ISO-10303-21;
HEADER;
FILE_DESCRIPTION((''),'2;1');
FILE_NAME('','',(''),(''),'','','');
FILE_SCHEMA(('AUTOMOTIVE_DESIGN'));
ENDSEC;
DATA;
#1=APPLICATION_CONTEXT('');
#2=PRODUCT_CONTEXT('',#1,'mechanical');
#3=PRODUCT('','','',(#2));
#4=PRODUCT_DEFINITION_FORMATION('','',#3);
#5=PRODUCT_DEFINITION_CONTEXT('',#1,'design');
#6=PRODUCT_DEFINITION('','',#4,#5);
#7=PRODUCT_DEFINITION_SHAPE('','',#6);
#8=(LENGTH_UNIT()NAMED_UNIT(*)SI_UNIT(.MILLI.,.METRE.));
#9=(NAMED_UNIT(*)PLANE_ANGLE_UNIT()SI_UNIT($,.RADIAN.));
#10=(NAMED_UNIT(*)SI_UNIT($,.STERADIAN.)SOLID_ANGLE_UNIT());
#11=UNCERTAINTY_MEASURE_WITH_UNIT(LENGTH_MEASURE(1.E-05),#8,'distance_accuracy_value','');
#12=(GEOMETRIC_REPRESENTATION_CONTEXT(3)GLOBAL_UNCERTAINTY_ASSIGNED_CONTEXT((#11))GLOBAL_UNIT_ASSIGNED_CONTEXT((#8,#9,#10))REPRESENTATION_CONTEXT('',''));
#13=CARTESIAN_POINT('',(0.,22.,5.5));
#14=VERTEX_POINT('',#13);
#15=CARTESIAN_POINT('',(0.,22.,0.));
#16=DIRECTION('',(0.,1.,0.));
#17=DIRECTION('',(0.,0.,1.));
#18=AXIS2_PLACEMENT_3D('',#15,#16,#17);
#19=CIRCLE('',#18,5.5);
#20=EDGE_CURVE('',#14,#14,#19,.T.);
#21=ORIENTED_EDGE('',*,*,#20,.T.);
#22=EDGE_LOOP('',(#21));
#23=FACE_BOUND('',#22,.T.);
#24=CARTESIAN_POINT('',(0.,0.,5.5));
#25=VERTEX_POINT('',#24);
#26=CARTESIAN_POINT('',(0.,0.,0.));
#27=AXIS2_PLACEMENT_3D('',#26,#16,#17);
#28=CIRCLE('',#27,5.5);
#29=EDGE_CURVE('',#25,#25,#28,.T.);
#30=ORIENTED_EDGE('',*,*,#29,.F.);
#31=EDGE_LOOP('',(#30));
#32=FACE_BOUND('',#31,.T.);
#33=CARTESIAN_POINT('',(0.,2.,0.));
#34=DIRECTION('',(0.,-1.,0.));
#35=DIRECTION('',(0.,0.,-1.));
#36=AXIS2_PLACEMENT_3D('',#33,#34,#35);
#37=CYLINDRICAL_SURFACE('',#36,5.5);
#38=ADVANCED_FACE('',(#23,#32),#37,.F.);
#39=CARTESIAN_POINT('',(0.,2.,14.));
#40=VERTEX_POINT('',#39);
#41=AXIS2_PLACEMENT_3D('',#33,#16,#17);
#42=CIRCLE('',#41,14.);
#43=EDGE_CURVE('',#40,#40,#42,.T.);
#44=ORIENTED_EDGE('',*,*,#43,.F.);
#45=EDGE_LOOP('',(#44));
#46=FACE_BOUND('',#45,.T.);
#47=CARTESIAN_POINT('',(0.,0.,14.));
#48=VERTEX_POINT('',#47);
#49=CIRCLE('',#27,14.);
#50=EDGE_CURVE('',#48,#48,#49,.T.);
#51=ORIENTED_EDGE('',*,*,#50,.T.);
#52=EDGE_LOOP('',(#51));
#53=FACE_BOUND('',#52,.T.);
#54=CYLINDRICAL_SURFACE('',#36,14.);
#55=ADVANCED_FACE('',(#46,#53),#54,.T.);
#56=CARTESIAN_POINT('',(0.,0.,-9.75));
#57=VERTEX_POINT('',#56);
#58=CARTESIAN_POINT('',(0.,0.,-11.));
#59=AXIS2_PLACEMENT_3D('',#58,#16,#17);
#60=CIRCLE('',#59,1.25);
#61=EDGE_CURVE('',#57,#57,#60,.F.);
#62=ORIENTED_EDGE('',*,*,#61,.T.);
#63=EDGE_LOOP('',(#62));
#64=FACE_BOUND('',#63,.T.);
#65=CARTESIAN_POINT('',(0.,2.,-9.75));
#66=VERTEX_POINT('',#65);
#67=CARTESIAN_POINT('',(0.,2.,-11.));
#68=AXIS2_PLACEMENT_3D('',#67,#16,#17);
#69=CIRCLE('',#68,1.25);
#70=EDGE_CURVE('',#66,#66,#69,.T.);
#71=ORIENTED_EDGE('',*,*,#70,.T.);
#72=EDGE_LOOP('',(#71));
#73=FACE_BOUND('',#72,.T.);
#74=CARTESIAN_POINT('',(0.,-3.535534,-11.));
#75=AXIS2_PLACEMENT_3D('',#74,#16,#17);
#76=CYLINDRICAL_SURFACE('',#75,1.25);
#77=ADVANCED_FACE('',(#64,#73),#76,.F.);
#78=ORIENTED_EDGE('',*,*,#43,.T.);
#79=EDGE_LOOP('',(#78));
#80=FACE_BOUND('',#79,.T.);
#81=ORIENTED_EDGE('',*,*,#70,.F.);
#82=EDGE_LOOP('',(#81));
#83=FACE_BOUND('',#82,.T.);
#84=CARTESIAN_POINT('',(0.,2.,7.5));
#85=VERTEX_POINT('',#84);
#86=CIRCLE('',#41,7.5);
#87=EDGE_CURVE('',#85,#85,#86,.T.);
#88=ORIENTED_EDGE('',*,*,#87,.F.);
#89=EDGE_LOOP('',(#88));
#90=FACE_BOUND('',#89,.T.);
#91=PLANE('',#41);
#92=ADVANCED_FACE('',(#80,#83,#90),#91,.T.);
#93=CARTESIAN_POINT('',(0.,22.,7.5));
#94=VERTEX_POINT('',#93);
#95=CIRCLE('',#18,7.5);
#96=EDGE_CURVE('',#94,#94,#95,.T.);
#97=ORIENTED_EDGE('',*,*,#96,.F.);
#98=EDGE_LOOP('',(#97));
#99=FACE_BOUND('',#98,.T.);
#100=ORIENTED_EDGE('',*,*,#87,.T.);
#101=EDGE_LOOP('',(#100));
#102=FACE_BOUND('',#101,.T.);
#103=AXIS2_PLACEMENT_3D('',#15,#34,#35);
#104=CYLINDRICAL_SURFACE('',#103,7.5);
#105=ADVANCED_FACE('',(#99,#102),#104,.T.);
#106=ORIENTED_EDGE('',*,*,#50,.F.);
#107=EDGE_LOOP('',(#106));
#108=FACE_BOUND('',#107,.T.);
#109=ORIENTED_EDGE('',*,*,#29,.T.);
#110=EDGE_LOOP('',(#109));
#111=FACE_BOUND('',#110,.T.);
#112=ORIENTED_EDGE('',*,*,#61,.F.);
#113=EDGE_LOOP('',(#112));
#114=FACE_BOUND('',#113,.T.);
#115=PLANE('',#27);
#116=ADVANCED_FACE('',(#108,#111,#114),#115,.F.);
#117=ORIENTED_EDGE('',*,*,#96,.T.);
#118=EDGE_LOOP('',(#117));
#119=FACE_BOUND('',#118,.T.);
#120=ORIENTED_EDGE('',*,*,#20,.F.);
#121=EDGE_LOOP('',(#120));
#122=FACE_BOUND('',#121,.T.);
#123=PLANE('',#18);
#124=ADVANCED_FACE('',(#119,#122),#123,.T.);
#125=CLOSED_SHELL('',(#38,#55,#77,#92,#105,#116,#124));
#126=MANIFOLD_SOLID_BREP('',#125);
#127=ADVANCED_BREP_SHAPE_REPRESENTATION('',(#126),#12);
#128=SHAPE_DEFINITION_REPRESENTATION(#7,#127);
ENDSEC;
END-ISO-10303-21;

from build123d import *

# Parameters (mm, degrees)
SKETCH1_R           = 14
SKETCH1_R_2         = 5.5
BOSS_EXTRUDE1_DEPTH = 2
SKETCH2_R           = 1.25
CUT_EXTRUDE1_DEPTH  = 2
SKETCH3_R           = 7.5
SKETCH3_R_2         = 5.5
BOSS_EXTRUDE2_DEPTH = 20


with BuildPart() as part:
    # Sketch1 → Boss-Extrude1 (new body)
    with BuildSketch(Plane(origin=(0, 0, 0), x_dir=(1, 0, 0), z_dir=(0, 1, 0))):
        with Locations(Location((0, 0, 0), (0, 0, 270))):
            Circle(SKETCH1_R)
        with Locations(Location((0, 0, 0), (0, 0, 270))):
            Circle(SKETCH1_R_2, mode=Mode.SUBTRACT)
    extrude(amount=BOSS_EXTRUDE1_DEPTH)

    # Sketch2 → Cut-Extrude1 (cut)
    with BuildSketch(Plane(origin=(0, 2, 0), x_dir=(1, 0, 0), z_dir=(0, 1, 0))):
        with Locations(Location((0, 11, 0), (0, 0, 270))):
            Circle(SKETCH2_R)
    extrude(amount=-CUT_EXTRUDE1_DEPTH, mode=Mode.SUBTRACT)

    # Sketch3 → Boss-Extrude2 (add)
    with BuildSketch(Plane(origin=(0, 2, 0), x_dir=(1, 0, 0), z_dir=(0, 1, 0))):
        with Locations(Location((0, 0, 0), (0, 0, 270))):
            Circle(SKETCH3_R)
        with Locations(Location((0, 0, 0), (0, 0, 270))):
            Circle(SKETCH3_R_2, mode=Mode.SUBTRACT)
    extrude(amount=BOSS_EXTRUDE2_DEPTH)


solid = part.part
